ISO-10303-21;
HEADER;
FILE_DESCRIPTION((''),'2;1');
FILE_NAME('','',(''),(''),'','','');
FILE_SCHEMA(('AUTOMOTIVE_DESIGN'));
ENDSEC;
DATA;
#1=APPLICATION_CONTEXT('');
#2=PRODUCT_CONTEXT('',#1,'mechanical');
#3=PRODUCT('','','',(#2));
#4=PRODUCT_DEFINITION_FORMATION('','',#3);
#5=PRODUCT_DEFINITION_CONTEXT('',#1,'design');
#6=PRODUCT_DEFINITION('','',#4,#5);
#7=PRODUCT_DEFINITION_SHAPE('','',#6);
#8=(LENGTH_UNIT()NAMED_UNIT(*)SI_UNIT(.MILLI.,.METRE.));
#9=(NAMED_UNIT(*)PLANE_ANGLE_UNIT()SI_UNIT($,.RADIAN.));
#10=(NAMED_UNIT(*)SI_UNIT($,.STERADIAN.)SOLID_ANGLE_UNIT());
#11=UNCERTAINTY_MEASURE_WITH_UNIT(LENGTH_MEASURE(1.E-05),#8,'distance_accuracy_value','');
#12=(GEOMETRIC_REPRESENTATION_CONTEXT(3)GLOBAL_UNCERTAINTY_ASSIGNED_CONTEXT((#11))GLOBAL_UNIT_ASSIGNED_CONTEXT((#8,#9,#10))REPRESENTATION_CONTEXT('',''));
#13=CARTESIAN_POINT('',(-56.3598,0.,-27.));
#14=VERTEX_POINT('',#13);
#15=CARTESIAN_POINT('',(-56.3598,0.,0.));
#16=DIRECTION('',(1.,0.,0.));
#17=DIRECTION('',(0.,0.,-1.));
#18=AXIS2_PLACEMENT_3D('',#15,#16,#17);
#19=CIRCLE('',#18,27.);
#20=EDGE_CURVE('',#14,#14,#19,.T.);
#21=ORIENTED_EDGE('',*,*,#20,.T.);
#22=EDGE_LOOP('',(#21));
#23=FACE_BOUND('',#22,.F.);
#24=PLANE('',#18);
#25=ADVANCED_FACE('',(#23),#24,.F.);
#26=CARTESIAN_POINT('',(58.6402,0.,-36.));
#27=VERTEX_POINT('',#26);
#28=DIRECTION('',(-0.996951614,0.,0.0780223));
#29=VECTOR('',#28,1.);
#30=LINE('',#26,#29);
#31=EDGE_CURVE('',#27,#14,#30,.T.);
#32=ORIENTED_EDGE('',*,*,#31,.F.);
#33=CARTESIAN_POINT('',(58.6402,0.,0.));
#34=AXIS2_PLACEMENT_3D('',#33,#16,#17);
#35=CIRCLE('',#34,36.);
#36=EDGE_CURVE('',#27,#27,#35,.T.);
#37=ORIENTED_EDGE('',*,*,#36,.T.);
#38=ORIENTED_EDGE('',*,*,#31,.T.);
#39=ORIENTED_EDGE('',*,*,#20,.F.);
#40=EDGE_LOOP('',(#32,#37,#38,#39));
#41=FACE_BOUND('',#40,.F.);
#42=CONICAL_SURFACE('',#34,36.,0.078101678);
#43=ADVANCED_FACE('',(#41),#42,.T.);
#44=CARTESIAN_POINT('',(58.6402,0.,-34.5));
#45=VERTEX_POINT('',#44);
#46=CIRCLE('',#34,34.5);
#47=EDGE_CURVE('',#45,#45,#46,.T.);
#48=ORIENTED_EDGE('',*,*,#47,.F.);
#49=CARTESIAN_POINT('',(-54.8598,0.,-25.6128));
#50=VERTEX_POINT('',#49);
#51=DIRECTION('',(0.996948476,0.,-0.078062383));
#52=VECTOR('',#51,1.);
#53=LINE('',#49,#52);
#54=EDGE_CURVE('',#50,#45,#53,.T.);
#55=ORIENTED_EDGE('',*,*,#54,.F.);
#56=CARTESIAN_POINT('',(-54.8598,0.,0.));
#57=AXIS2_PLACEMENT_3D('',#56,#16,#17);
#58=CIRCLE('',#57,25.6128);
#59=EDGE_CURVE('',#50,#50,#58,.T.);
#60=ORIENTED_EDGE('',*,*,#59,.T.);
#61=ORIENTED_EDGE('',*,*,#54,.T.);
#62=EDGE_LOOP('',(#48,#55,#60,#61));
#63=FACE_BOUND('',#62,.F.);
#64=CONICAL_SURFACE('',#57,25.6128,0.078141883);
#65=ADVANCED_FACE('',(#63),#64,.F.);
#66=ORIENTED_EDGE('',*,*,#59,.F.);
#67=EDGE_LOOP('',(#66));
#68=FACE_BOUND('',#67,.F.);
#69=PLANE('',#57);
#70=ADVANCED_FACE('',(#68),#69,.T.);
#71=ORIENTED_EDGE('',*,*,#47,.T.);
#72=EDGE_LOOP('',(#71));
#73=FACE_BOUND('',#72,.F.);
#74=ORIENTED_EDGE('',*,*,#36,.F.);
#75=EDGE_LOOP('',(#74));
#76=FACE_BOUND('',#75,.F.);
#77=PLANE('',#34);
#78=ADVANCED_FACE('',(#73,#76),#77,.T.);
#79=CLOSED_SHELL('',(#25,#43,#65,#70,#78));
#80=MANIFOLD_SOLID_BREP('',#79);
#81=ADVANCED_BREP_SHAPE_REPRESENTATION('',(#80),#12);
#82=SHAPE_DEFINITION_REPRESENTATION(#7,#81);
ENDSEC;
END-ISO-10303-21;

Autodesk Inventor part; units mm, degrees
ref_plane "YZ Plane" through (0, 0, 0) normal (1, 0, 0) x (0, 1, 0)
ref_plane "XZ Plane" through (0, 0, 0) normal (0, 1, 0) x (-1, 0, 0)
ref_plane "XY Plane" through (0, 0, 0) normal (0, 0, 1) x (1, 0, 0)
sketch "Esquisse1" plane through (0, 0, 0) normal (0, 1, 0) x (-1, 0, 0)
  line L0 (56.3598, 0) -> (-58.6402, 0)
  line L1 (-58.6402, -34.5) -> (-58.6402, -36)
  line L2 (-58.6402, -36) -> (56.3598, -27)
  line L3 (56.3598, -27) -> (56.3598, 0)
  line L4 (54.8598, 0) -> (54.8598, -25.6128)
  line L5 (54.8598, -25.6128) -> (-58.6402, -34.5)
  point P0 (0, 0)
  dimension "d0" = 115
  dimension "d1" = 27
  dimension "d2" = 36
  dimension "d3" = 1.5
  dimension "d4" = 1.5
  dimension "d5" = 1.5
revolve "Révolution1" add sketch "Esquisse1" angle 360 about axis through (-56.3598, 0, 0) along (1, 0, 0)
properties part number "boues"
